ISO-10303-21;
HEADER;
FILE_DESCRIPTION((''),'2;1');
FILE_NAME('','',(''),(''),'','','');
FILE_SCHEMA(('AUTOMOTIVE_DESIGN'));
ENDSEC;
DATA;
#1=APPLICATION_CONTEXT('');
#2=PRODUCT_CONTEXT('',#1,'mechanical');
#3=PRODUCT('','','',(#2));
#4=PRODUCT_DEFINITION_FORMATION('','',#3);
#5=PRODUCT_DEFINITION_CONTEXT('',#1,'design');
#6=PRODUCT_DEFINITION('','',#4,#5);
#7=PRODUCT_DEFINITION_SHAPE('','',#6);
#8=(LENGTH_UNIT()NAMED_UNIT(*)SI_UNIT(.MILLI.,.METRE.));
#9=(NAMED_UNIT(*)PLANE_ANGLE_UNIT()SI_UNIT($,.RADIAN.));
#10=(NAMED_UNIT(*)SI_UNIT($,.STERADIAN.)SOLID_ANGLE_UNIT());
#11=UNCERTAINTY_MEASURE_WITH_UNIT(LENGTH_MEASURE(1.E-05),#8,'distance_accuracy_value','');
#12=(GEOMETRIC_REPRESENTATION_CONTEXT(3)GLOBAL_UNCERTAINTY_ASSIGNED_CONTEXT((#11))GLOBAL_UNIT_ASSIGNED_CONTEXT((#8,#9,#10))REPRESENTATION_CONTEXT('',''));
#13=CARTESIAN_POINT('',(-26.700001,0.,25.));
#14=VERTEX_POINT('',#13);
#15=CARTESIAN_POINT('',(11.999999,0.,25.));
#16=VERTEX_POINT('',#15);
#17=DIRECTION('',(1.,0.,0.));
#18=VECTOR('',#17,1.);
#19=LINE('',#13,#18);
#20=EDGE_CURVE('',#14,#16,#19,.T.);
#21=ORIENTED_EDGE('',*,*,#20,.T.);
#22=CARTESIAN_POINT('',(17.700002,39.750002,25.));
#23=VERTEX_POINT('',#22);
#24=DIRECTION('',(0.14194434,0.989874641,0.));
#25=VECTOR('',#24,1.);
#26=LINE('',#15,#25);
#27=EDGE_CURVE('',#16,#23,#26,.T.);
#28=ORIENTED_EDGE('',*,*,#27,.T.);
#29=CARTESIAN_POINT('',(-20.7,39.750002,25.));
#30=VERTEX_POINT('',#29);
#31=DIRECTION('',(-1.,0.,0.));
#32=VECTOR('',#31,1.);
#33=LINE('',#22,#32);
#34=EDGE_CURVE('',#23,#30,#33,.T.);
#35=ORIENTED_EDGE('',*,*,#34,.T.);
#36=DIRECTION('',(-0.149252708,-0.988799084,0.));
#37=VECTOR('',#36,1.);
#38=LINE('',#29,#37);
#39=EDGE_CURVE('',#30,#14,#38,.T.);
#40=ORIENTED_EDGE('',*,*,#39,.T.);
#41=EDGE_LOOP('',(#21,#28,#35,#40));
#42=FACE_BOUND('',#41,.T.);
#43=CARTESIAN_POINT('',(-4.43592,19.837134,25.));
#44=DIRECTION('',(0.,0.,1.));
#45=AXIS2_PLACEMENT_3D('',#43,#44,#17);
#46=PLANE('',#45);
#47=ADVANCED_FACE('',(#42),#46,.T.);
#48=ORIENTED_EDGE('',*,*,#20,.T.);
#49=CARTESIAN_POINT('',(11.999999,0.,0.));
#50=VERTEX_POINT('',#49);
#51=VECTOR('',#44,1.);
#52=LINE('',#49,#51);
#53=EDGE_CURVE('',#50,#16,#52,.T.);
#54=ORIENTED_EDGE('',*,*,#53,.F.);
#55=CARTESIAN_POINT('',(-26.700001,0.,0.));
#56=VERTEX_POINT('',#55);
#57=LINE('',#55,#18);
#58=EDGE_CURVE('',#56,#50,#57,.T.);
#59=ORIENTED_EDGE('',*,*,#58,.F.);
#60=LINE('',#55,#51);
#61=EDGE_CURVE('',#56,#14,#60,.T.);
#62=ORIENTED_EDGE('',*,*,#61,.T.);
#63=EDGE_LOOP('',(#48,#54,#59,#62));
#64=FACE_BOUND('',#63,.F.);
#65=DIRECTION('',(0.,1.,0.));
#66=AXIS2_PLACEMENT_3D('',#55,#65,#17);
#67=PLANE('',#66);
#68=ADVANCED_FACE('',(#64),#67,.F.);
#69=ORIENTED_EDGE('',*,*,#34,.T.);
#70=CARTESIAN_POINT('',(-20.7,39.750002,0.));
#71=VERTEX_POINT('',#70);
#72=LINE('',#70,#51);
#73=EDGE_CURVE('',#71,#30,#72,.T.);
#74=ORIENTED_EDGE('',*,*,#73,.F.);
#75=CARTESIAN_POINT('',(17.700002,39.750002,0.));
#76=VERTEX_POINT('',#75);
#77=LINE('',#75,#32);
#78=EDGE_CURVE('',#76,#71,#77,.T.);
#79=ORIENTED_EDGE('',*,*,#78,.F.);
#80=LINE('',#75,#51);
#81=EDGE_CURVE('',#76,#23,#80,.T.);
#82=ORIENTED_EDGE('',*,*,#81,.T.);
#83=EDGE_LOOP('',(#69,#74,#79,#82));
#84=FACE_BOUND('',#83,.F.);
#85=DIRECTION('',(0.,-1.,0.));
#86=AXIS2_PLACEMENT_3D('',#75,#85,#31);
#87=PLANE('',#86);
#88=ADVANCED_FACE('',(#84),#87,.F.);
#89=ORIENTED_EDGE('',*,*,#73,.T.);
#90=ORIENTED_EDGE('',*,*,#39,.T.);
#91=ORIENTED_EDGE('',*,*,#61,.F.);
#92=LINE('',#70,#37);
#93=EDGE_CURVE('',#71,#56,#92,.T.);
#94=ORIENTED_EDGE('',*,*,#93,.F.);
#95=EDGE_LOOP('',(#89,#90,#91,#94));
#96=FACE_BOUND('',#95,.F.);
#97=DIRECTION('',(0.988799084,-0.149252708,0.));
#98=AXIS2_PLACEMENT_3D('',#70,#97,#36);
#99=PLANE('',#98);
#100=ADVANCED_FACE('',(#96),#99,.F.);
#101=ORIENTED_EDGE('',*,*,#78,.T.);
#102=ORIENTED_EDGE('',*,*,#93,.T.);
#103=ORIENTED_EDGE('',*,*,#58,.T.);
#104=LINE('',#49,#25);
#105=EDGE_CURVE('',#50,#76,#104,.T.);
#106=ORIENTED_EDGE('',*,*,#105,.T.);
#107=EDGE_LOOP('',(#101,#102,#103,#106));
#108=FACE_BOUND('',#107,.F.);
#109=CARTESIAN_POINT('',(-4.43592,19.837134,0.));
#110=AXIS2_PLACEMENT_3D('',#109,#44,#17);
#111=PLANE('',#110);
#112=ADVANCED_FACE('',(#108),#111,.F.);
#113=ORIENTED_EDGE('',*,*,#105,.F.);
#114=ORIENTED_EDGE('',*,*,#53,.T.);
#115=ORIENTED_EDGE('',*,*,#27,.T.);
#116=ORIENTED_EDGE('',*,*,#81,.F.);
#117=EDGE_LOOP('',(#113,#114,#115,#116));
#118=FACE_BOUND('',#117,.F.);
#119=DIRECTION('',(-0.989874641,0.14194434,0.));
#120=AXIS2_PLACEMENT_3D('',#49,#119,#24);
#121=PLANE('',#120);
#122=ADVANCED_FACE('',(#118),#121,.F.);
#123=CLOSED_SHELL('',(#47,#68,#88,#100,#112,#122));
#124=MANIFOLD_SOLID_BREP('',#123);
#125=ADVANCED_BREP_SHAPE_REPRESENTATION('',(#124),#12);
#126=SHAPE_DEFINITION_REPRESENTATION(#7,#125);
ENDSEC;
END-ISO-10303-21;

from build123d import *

# Parameters (mm, degrees)
F0_W     = 8.4000006318
F0_H     = 7.7999997884
F1_DEPTH = 25


with BuildPart() as f1:
    # F0 (on Top) → F1 (new body)
    with BuildSketch(Plane.XY):
        Polygon((17.7000015974, 39.7500023246), (-20.7000002265, 39.7500023246), (-26.70000121, 0), (11.999999173, 0), align=None)
        with Locations((-4.2000003159, 20.5500004813)):
            Rectangle(F0_W, F0_H, mode=Mode.SUBTRACT)
        with Locations((-4.2000003159, 20.5500004813)):
            Rectangle(F0_W, F0_H)
    extrude(amount=F1_DEPTH)


solid = f1.part
